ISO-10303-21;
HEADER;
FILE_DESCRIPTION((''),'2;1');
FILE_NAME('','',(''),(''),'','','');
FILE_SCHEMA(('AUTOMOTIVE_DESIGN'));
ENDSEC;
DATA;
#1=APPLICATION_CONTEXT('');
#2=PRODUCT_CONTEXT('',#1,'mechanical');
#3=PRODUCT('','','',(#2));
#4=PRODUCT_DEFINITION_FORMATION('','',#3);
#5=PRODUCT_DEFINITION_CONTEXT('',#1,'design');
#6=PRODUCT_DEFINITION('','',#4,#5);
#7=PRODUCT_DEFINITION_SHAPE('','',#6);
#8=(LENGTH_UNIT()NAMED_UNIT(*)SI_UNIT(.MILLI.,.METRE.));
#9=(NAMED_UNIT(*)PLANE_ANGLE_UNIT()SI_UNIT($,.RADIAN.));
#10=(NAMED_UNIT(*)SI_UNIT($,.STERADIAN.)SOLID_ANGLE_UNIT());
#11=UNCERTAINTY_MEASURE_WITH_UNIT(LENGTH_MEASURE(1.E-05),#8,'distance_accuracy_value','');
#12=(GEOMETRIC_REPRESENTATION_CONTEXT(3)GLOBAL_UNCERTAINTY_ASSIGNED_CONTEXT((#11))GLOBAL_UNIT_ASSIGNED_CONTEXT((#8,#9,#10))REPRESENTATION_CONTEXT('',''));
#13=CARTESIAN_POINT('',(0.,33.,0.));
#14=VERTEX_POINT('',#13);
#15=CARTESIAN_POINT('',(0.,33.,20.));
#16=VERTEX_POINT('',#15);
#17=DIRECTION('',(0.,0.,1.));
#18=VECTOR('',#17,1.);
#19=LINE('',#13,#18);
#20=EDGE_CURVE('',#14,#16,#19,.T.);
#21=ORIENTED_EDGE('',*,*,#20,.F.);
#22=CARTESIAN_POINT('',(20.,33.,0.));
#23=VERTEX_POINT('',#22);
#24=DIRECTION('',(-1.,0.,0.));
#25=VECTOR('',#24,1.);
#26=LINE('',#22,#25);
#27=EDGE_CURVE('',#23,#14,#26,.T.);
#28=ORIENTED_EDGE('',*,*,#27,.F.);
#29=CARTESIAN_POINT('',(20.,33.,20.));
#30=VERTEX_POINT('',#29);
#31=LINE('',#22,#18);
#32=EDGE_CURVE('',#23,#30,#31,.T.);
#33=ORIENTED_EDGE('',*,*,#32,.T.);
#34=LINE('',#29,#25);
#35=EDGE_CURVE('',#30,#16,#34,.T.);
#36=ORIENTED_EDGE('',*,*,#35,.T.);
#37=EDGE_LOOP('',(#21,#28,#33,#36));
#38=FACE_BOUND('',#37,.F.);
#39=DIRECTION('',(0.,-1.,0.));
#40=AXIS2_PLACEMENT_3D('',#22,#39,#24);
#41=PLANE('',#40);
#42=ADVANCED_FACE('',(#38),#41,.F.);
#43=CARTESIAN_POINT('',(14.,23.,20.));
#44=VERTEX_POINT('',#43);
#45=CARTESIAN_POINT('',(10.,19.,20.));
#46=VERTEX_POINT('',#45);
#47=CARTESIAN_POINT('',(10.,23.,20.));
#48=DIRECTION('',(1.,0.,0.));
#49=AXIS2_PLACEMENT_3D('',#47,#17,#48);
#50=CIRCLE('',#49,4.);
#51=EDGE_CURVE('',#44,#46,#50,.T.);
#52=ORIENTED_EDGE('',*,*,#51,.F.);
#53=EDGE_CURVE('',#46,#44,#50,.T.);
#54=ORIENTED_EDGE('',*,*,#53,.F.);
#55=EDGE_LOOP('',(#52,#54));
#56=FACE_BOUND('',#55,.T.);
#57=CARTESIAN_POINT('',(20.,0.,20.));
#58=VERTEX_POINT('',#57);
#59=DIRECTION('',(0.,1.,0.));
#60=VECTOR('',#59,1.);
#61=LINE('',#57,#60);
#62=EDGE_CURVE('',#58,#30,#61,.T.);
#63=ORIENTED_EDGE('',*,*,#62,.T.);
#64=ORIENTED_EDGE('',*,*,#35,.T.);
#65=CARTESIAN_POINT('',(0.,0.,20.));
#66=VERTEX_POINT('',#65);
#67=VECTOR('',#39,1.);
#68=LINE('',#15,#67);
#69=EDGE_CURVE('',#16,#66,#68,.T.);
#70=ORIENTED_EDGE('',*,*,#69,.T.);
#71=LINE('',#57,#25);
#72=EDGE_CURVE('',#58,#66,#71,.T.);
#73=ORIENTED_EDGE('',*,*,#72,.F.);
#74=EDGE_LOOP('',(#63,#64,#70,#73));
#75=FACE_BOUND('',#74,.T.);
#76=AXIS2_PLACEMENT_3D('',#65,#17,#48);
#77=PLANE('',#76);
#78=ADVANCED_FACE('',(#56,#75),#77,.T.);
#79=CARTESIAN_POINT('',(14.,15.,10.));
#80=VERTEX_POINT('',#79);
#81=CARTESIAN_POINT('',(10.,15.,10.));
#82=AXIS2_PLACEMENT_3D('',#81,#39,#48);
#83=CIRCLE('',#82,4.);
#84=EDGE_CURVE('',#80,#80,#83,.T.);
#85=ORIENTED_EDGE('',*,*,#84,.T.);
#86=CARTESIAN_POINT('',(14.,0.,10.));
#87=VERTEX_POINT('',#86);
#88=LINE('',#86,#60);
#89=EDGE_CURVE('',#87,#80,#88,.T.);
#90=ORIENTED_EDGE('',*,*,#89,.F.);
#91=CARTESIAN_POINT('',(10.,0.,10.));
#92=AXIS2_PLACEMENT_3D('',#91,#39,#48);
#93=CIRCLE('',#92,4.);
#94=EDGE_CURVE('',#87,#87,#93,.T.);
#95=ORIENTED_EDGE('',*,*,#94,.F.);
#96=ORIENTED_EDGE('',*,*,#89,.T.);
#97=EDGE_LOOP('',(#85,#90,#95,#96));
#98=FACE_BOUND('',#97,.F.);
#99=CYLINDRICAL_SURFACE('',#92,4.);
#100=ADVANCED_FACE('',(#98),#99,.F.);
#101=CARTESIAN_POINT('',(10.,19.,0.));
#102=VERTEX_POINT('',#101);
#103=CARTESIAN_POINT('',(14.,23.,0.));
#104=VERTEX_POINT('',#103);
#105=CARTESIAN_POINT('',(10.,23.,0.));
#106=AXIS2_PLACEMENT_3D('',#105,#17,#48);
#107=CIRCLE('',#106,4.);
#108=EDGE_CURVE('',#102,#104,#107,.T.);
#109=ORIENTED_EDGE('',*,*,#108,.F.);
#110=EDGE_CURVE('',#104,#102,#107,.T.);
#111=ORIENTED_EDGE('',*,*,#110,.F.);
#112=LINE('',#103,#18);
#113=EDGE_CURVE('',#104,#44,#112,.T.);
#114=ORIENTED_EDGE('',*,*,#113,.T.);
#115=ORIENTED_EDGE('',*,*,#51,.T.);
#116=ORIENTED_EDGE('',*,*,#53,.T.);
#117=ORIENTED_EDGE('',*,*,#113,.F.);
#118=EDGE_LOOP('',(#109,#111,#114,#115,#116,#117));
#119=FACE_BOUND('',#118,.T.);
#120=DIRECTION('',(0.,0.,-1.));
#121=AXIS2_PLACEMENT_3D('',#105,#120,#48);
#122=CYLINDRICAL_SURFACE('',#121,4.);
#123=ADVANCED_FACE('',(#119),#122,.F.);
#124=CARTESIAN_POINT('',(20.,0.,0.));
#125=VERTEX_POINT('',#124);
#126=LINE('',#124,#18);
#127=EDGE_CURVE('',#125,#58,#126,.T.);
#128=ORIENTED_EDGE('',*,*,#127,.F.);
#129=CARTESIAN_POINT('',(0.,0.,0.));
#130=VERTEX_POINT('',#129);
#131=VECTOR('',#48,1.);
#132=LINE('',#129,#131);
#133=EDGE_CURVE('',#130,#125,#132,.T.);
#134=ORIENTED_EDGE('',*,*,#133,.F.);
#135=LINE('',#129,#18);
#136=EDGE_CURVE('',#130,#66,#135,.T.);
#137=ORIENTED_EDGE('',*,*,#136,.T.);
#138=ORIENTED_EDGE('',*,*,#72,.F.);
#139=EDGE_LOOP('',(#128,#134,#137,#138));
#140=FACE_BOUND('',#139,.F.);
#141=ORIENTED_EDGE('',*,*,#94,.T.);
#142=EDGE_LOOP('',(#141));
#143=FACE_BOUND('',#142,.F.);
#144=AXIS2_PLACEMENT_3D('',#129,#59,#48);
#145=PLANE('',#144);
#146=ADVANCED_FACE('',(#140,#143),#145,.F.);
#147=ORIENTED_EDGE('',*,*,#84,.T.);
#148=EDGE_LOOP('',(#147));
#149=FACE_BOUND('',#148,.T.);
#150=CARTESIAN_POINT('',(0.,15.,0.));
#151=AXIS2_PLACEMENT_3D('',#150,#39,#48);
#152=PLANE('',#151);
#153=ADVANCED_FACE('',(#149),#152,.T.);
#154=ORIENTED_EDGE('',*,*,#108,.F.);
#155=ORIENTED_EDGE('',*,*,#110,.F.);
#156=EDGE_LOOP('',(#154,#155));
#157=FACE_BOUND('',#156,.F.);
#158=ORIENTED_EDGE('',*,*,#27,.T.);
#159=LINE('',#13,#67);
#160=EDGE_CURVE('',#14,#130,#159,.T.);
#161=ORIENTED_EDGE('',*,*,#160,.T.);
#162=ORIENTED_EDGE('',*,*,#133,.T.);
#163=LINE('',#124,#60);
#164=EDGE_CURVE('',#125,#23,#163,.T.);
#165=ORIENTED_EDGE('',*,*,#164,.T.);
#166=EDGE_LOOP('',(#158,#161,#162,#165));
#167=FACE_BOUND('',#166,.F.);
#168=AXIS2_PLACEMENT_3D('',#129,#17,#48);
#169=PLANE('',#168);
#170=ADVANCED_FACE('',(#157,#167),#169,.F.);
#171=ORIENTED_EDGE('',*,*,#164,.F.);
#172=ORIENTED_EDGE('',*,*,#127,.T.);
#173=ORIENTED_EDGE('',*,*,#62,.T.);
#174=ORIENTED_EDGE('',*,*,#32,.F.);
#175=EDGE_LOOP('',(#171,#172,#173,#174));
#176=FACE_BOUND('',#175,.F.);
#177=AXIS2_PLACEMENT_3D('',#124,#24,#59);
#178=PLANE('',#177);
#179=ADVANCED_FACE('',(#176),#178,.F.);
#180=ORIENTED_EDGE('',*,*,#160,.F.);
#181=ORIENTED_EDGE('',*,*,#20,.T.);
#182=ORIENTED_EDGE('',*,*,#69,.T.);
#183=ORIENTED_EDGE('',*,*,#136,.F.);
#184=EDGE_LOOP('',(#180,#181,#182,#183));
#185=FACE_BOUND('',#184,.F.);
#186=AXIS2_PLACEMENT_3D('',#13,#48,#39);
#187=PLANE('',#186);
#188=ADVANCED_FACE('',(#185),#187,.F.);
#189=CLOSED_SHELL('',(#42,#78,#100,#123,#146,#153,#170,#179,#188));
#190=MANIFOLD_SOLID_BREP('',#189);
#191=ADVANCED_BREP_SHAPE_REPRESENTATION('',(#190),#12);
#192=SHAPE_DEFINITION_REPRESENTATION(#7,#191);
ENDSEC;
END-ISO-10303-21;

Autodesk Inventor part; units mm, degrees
ref_plane "YZ Plane" through (0, 0, 0) normal (1, 0, 0) x (0, 1, 0)
ref_plane "XZ Plane" through (0, 0, 0) normal (0, 1, 0) x (-1, 0, 0)
ref_plane "XY Plane" through (0, 0, 0) normal (0, 0, 1) x (1, 0, 0)
sketch "Sketch1" plane through (0, 0, 0) normal (0, 0, 1) x (1, 0, 0)
  line L0 (0, 0) -> (20, 0)
  line L1 (20, 0) -> (20, 33)
  line L2 (20, 33) -> (0, 33)
  line L3 (0, 33) -> (0, 0)
  line L4 (6, 15) -> (6, 0)
  line L5 (14, 15) -> (14, 0)
  line L6 (6, 15) -> (14, 15)
  line L7 (10, 0) -> (10, 23)
  circle A0 centre (10, 23) radius 4
  dimension "d5" = 23
  dimension "d6" = 8
extrude "Extrusion1" add sketch "Sketch1" along normal blind 20
sketch "Sketch2" plane through (0, 0, 0) normal (0, -1, 0) x (1, 0, 0)
  circle A0 centre (10, 10) radius 4
  dimension "d9" = 8
extrude "Extrusion2" cut sketch "Sketch2" against normal blind 15
properties part number "Top_RodHolder" material "Birch"
